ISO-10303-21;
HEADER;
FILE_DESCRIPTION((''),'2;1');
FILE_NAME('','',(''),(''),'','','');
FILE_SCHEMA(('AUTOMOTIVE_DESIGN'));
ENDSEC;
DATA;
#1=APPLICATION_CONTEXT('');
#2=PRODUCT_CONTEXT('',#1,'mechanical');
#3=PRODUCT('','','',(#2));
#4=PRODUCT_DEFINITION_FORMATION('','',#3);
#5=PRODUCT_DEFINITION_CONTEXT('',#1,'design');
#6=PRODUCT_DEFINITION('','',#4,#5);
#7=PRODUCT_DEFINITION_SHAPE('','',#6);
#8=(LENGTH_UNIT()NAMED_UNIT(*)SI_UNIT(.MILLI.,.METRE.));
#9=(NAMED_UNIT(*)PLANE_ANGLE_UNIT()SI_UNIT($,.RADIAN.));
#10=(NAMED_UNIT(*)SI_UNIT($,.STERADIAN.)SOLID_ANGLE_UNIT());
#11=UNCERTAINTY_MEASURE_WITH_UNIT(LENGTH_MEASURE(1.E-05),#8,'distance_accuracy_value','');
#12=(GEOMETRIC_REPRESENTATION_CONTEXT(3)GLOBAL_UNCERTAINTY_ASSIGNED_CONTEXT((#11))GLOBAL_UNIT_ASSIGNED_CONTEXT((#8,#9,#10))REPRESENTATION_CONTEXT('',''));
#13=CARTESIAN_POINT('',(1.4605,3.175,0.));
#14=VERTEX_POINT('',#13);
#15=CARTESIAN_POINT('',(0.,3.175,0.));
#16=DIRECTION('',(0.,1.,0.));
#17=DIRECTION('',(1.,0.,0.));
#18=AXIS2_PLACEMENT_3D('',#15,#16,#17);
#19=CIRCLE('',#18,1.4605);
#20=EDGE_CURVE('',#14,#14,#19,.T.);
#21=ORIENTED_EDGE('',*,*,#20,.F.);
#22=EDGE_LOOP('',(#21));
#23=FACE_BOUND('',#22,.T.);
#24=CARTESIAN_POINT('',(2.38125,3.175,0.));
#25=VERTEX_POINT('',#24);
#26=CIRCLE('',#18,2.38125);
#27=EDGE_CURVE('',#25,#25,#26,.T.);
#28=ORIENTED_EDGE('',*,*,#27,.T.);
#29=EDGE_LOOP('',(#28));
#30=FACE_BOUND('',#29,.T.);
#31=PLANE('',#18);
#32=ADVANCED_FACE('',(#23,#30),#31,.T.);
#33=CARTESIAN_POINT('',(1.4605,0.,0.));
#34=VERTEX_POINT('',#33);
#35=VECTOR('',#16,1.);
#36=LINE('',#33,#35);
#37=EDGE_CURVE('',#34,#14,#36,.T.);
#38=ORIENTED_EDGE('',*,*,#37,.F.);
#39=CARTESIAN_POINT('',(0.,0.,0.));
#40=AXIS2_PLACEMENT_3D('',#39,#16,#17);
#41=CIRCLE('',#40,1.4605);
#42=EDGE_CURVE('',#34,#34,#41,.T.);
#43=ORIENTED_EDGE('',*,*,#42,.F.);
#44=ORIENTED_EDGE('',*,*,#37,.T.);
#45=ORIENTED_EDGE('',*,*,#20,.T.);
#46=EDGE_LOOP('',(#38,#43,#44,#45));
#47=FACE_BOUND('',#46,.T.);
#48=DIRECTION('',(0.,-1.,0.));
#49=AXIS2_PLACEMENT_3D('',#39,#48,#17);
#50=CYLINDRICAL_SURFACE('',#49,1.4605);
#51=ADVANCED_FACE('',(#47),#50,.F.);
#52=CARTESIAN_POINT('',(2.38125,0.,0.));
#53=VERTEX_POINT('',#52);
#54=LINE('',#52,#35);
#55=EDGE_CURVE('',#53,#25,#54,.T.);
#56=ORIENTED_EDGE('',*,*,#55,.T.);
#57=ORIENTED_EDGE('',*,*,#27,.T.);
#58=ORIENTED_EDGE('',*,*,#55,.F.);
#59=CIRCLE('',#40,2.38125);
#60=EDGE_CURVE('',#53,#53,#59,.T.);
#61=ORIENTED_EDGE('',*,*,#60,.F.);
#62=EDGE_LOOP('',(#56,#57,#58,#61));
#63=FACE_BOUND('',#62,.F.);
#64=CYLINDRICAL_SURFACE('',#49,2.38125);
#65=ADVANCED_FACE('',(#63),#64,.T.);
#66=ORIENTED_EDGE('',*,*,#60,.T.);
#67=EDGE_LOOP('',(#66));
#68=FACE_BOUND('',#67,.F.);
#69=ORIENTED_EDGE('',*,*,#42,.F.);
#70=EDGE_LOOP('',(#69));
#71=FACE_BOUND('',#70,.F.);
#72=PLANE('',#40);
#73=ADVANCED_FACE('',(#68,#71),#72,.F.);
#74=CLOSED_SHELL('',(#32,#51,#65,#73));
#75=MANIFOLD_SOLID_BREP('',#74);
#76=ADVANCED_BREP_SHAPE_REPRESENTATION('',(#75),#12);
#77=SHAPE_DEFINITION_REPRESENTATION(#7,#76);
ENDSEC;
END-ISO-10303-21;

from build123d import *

# Parameters (mm, degrees)
SKETCH1_R           = 2.38125
SKETCH1_R_2         = 1.4605
BOSS_EXTRUDE1_DEPTH = 3.175


with BuildPart() as part:
    # Sketch1 → Boss-Extrude1 (new body)
    with BuildSketch(Plane(origin=(0, 0, 0), x_dir=(1, 0, 0), z_dir=(0, 1, 0))):
        Circle(SKETCH1_R)
        Circle(SKETCH1_R_2, mode=Mode.SUBTRACT)
    extrude(amount=BOSS_EXTRUDE1_DEPTH)


solid = part.part
